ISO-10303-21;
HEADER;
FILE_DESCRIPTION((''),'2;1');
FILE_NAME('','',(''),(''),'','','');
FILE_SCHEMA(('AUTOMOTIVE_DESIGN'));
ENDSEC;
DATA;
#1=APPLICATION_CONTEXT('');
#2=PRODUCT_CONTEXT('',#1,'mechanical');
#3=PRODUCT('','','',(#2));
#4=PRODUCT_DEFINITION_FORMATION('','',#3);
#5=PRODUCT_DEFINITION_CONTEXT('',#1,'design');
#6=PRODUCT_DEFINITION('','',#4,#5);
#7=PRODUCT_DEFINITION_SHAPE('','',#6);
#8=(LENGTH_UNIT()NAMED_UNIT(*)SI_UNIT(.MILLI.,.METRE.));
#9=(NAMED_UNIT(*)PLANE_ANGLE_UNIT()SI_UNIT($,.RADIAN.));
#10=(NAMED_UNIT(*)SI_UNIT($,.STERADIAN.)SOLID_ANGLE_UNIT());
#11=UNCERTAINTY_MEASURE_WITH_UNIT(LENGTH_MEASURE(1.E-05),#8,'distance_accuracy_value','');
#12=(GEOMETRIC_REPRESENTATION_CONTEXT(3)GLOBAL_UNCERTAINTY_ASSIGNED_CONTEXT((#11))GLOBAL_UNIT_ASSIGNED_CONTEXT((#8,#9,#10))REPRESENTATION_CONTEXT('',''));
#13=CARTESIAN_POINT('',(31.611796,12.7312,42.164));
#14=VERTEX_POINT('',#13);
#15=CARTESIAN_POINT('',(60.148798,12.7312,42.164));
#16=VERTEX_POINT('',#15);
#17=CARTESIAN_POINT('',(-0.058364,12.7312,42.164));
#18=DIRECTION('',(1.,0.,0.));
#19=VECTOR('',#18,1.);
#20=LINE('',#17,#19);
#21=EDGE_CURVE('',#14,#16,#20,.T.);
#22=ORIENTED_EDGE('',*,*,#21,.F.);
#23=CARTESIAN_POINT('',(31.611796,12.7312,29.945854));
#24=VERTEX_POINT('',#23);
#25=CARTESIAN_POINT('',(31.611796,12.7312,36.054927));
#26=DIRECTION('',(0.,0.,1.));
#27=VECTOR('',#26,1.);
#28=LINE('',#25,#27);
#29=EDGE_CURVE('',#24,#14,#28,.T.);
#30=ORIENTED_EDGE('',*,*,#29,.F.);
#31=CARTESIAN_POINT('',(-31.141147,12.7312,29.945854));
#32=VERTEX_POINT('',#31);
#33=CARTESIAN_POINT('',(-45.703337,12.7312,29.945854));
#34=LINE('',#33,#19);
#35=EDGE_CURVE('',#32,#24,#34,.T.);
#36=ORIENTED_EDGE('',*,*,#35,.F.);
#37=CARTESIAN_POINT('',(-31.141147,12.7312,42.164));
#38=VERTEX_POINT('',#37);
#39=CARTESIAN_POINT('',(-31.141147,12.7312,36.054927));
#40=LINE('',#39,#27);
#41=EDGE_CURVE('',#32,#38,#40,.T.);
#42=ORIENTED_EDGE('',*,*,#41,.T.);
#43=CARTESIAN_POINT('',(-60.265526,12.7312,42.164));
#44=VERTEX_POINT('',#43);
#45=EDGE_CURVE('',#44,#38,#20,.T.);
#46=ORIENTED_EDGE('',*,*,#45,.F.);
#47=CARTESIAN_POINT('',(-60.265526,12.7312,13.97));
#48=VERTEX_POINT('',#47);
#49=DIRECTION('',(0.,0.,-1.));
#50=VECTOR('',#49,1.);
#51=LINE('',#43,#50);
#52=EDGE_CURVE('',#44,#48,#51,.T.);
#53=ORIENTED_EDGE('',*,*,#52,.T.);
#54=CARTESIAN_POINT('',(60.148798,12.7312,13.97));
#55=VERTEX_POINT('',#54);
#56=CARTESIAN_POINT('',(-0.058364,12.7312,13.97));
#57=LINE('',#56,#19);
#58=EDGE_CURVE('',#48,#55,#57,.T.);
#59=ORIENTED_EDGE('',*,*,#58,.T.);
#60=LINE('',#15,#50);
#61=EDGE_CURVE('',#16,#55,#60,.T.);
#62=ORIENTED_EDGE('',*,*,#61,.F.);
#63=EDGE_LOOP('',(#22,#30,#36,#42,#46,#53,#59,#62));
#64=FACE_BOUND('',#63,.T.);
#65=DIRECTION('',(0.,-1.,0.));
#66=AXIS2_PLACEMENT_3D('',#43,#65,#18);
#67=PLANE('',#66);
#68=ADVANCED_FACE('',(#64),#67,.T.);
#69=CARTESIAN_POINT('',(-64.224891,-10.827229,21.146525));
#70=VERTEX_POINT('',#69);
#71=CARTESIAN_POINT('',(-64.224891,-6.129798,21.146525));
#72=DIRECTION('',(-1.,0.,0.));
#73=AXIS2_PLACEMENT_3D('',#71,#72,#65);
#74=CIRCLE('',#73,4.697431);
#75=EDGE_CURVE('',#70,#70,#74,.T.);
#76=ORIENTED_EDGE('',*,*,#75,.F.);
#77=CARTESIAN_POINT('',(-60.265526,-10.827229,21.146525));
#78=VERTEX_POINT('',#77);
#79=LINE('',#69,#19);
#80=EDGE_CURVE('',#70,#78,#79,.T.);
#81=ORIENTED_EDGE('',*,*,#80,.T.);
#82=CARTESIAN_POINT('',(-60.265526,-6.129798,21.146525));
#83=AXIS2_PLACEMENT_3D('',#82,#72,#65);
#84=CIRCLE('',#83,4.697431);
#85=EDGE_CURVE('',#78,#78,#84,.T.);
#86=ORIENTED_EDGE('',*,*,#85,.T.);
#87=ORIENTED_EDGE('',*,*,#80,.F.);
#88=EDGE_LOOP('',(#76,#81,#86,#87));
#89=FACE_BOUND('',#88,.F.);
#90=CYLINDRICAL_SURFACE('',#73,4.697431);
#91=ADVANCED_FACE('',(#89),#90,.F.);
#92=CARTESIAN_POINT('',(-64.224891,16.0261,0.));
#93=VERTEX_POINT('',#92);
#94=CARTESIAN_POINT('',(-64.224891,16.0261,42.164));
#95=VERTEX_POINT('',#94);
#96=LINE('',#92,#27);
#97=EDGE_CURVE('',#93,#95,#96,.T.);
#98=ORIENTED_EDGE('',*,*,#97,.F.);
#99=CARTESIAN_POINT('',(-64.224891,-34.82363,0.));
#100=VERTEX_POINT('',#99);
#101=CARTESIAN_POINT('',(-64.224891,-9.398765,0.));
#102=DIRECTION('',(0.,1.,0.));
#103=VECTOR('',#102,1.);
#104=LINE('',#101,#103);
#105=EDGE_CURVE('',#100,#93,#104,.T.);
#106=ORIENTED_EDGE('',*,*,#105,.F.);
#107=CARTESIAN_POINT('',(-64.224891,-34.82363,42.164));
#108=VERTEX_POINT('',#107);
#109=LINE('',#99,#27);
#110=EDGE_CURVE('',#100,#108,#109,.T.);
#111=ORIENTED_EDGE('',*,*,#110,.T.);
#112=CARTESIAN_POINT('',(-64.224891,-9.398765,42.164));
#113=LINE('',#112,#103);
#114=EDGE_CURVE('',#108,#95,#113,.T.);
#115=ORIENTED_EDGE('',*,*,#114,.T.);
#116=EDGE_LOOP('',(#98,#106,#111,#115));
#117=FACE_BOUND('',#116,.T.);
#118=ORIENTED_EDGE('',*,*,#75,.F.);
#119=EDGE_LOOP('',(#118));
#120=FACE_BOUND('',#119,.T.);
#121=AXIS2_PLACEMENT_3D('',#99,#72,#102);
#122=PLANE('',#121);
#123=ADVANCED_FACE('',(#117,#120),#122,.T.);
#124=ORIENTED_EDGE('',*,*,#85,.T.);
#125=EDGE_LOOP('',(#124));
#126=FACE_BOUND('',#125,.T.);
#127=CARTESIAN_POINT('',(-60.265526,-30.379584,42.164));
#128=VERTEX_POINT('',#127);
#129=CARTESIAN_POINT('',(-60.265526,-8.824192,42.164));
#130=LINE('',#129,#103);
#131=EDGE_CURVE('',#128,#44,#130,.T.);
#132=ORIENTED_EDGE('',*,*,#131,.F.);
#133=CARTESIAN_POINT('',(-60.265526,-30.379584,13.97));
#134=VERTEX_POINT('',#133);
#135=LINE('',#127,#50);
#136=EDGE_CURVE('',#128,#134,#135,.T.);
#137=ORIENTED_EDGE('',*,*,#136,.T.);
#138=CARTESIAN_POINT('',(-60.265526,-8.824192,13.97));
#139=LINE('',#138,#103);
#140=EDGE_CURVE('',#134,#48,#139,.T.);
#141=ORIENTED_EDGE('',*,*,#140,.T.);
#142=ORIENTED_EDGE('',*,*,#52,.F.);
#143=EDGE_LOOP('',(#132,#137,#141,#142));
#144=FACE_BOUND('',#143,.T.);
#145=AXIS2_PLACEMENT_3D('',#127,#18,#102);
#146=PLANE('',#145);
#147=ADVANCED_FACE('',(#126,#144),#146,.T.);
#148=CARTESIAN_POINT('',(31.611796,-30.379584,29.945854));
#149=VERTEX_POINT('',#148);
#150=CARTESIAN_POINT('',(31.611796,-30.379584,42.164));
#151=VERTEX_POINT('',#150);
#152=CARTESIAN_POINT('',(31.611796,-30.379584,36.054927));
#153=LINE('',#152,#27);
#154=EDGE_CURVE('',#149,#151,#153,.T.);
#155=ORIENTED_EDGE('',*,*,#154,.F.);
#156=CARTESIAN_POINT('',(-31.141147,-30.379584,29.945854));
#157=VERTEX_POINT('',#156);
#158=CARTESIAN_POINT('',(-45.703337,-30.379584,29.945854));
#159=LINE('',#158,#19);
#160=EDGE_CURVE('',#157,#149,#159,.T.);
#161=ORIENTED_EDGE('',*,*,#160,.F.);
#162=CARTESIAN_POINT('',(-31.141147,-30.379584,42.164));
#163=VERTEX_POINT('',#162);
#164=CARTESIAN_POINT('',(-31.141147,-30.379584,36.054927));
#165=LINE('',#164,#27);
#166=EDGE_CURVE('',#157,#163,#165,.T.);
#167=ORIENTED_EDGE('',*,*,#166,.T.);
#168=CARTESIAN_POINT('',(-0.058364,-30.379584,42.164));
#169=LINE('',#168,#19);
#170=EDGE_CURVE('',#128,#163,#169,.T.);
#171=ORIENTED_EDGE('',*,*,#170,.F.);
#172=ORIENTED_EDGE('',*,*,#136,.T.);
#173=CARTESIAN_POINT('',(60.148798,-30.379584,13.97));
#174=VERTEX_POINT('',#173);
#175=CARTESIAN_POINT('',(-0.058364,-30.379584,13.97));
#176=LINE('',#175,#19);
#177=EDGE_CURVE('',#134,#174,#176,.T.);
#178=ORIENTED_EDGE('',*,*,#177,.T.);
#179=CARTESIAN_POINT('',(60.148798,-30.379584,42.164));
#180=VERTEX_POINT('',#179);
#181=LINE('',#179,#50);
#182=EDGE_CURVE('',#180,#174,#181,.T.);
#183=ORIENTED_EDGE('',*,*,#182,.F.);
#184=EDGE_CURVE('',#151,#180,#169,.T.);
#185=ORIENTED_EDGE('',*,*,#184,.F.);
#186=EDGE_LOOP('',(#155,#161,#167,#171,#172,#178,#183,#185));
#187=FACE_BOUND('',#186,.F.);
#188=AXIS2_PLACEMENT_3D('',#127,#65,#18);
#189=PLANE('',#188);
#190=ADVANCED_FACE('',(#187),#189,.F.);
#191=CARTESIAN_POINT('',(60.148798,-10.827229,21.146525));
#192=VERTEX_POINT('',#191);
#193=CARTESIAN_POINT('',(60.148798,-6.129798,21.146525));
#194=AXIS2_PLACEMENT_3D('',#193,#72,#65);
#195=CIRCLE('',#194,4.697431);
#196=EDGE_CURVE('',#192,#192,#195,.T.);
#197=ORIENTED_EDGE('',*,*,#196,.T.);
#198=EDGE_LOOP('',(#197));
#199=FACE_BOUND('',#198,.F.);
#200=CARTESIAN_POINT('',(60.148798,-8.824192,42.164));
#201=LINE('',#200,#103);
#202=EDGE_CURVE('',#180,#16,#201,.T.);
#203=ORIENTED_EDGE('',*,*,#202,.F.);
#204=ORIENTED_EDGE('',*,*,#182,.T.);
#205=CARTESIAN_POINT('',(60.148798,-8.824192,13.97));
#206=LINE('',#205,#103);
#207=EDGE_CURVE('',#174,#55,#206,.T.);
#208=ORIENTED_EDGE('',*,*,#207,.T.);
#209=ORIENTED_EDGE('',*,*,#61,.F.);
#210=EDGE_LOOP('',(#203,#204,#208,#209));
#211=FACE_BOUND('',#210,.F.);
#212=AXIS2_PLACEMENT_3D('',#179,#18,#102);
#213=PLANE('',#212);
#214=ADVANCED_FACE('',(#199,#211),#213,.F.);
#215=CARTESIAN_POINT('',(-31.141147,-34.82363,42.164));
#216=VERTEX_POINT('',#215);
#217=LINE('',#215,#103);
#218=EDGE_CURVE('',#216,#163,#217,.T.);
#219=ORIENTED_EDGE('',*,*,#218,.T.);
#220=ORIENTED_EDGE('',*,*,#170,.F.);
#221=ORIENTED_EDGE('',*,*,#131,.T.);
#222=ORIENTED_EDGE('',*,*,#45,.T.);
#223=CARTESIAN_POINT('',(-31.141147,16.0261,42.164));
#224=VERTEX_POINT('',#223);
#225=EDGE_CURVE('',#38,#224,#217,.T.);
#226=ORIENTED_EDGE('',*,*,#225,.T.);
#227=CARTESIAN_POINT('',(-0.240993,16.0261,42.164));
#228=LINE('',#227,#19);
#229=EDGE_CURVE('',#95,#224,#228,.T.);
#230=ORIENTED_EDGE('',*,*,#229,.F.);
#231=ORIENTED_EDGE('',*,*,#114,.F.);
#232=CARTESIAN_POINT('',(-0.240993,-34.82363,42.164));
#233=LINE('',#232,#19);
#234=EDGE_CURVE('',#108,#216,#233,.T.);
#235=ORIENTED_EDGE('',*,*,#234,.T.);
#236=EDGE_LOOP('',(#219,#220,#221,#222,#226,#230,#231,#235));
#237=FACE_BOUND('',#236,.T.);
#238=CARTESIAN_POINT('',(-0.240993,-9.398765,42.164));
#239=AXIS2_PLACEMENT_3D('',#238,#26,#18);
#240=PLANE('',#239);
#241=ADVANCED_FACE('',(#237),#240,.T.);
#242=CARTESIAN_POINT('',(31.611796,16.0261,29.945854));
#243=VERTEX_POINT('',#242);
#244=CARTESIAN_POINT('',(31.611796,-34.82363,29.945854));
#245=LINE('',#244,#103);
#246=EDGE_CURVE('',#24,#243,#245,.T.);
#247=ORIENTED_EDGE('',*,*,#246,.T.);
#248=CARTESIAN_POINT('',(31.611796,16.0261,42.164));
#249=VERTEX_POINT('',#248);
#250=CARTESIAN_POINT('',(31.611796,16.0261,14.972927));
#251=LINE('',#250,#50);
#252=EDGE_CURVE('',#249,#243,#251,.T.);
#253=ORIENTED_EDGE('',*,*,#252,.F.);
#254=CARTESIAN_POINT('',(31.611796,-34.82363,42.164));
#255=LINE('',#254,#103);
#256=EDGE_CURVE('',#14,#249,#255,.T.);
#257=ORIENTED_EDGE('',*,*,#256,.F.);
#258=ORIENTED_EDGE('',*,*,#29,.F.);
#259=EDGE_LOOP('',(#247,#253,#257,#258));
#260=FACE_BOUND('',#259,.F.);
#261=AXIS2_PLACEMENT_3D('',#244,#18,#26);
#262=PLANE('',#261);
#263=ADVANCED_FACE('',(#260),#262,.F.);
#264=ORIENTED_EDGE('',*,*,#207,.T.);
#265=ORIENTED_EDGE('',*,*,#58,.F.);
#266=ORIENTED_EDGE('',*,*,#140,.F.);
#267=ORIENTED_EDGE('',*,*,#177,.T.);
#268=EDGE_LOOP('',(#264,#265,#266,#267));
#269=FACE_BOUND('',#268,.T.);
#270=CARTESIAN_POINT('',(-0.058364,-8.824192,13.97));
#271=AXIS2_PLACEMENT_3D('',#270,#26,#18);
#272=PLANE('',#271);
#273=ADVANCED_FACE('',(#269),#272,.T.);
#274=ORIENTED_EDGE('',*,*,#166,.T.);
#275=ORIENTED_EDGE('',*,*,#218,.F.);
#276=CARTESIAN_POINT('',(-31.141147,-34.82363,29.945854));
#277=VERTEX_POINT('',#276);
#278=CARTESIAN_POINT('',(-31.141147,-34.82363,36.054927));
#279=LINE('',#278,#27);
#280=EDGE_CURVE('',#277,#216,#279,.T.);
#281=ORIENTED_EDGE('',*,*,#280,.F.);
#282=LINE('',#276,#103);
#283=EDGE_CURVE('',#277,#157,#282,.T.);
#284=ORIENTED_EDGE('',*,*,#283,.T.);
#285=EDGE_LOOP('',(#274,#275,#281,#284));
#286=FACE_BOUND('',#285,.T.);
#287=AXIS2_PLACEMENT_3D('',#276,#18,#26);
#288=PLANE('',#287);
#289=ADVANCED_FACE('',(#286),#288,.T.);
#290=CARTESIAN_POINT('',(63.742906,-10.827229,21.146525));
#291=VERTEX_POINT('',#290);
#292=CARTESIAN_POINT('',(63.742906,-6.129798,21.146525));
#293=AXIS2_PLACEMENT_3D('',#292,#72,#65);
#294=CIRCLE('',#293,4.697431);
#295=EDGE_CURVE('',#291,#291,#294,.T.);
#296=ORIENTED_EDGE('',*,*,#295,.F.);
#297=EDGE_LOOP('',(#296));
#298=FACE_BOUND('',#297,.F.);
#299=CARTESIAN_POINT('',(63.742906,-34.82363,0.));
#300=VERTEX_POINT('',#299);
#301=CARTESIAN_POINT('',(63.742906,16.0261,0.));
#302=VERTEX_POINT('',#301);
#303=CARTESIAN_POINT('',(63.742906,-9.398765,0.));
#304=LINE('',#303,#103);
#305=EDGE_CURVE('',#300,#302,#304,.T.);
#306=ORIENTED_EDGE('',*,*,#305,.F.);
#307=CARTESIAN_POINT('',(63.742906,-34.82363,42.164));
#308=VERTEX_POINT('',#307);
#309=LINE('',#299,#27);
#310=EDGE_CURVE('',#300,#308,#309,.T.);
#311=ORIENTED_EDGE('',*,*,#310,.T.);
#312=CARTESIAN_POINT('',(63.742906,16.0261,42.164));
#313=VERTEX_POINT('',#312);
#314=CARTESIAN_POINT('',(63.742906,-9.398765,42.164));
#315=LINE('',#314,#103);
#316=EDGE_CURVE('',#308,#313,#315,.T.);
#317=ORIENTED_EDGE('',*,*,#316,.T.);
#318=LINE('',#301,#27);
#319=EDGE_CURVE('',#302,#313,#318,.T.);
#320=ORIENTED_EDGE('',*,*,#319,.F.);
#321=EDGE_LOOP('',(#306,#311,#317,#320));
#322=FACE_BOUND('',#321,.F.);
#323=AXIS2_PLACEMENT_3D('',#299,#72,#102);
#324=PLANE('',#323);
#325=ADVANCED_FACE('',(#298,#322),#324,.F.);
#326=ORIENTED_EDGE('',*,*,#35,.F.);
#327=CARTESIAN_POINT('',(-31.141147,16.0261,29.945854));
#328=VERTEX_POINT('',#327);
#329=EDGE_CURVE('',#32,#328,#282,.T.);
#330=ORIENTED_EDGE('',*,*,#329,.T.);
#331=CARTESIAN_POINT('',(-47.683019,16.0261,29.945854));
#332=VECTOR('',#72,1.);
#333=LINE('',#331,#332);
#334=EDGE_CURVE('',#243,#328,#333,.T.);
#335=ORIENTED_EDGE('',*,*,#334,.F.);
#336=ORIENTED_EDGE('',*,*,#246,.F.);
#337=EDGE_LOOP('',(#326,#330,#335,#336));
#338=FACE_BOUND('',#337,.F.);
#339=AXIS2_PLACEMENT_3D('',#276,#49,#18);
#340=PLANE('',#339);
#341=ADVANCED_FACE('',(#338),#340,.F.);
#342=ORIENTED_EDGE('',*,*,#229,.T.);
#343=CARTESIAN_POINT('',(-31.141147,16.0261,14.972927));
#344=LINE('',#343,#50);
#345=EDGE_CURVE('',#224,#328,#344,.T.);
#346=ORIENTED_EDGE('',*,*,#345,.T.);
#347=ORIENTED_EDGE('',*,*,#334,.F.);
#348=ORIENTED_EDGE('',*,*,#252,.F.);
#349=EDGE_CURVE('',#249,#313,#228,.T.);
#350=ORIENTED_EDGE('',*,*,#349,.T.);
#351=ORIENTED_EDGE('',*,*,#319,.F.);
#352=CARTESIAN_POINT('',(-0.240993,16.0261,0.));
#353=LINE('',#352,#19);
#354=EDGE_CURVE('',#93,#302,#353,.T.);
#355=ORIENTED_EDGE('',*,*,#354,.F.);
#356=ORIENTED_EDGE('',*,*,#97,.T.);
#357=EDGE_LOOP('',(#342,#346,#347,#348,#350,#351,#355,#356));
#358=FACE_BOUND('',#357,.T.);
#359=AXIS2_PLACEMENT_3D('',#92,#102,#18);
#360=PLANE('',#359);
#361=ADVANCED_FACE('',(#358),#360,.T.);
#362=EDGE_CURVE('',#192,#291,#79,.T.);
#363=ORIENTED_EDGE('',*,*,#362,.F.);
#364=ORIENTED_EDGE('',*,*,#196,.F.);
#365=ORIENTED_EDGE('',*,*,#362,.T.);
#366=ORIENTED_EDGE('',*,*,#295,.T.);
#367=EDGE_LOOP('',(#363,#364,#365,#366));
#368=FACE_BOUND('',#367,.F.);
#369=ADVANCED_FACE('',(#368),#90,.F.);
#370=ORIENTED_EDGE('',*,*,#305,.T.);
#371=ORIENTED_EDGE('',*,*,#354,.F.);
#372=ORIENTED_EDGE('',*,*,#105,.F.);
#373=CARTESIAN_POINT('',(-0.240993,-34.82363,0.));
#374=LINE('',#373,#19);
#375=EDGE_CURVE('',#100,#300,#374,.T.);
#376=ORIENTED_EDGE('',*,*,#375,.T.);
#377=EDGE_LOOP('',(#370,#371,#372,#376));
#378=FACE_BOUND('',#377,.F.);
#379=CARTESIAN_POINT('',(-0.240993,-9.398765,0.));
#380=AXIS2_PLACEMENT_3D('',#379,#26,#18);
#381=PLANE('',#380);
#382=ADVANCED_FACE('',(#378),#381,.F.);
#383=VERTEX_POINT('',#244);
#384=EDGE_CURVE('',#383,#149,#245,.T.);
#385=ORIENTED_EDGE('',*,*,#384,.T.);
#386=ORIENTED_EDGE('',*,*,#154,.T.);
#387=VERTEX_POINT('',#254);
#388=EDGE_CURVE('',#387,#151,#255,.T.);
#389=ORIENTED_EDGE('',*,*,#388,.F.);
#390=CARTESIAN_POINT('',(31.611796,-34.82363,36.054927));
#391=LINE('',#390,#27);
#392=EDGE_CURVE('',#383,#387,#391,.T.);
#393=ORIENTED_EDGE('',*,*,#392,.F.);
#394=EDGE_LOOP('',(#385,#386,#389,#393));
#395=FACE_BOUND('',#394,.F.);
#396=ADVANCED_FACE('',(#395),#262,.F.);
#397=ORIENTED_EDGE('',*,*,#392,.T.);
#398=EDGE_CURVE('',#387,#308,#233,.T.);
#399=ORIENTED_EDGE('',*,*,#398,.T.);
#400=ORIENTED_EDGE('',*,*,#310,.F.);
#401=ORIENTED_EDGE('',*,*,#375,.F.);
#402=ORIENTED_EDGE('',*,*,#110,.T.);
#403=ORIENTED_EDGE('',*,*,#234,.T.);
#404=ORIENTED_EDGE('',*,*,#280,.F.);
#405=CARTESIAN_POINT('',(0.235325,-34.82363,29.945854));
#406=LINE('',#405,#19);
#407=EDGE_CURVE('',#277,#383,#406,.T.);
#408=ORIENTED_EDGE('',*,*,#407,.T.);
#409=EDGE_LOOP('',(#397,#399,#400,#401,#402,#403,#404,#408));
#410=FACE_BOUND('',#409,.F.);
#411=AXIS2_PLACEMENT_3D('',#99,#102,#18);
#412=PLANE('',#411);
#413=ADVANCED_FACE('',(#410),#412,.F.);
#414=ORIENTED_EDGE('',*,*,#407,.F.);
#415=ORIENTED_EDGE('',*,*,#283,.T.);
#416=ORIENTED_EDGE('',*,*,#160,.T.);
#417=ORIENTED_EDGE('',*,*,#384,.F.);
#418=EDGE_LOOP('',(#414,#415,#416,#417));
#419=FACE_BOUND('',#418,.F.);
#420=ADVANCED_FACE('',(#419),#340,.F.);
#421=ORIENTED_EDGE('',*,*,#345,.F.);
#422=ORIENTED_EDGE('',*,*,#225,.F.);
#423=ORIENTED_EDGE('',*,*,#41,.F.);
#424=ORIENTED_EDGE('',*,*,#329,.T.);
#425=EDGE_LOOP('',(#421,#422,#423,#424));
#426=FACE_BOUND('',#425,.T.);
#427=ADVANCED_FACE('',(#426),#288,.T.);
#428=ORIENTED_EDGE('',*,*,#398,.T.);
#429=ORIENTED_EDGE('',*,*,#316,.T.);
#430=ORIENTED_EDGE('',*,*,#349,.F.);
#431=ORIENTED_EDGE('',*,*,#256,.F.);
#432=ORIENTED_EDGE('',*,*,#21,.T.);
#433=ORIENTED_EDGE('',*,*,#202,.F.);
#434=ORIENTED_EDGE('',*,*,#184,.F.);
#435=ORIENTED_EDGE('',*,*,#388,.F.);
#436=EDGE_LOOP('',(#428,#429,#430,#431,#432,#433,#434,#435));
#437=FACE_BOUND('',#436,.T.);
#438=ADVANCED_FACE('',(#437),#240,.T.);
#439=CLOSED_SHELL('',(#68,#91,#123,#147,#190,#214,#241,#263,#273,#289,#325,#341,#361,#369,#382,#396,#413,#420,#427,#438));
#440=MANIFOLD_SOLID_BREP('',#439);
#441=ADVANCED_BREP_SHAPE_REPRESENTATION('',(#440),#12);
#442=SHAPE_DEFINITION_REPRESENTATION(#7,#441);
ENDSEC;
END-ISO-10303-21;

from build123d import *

# Parameters (mm, degrees)
F0_W     = 127.9677972198
F0_H     = 50.8497301489
F1_DEPTH = 42.164
F3_W     = 120.4143241048
F3_H     = 43.1107841432
F4_DEPTH = 28.194
F2_W     = 62.752943486
F2_H     = 12.2181459024
F5_DEPTH = 61.468
F6_R     = 4.6974309297
F7_DEPTH = 174.498


with BuildPart() as f1:
    # F0 (on Top) → F1 (new body)
    with BuildSketch(Plane.XY):
        with Locations((-0.2409927547, -9.3987649307)):
            Rectangle(F0_W, F0_H)
    extrude(amount=F1_DEPTH)

    # F3 (on face) → F4 (cut)
    with BuildSketch(Plane.XY.offset(42.164)):
        with Locations((-0.0583641231, -8.8241919875)):
            Rectangle(F3_W, F3_H)
    extrude(amount=-F4_DEPTH, mode=Mode.SUBTRACT)

    # F2 (on face) → F5 (cut)
    with BuildSketch(Plane.XZ.offset(34.8236300051)):
        with Locations((0.2353247255, 36.0549270488)):
            Rectangle(F2_W, F2_H)
    extrude(amount=-F5_DEPTH, mode=Mode.SUBTRACT)

    # F6 (on face) → F7 (cut)
    with BuildSketch(Plane(origin=(-64.2248913646, 0, 0), x_dir=(0, -1, 0), z_dir=(-1, 0, 0))):
        with Locations((6.1297980137, 21.1465246975)):
            Circle(F6_R)
    extrude(amount=-F7_DEPTH, mode=Mode.SUBTRACT)


solid = f1.part
